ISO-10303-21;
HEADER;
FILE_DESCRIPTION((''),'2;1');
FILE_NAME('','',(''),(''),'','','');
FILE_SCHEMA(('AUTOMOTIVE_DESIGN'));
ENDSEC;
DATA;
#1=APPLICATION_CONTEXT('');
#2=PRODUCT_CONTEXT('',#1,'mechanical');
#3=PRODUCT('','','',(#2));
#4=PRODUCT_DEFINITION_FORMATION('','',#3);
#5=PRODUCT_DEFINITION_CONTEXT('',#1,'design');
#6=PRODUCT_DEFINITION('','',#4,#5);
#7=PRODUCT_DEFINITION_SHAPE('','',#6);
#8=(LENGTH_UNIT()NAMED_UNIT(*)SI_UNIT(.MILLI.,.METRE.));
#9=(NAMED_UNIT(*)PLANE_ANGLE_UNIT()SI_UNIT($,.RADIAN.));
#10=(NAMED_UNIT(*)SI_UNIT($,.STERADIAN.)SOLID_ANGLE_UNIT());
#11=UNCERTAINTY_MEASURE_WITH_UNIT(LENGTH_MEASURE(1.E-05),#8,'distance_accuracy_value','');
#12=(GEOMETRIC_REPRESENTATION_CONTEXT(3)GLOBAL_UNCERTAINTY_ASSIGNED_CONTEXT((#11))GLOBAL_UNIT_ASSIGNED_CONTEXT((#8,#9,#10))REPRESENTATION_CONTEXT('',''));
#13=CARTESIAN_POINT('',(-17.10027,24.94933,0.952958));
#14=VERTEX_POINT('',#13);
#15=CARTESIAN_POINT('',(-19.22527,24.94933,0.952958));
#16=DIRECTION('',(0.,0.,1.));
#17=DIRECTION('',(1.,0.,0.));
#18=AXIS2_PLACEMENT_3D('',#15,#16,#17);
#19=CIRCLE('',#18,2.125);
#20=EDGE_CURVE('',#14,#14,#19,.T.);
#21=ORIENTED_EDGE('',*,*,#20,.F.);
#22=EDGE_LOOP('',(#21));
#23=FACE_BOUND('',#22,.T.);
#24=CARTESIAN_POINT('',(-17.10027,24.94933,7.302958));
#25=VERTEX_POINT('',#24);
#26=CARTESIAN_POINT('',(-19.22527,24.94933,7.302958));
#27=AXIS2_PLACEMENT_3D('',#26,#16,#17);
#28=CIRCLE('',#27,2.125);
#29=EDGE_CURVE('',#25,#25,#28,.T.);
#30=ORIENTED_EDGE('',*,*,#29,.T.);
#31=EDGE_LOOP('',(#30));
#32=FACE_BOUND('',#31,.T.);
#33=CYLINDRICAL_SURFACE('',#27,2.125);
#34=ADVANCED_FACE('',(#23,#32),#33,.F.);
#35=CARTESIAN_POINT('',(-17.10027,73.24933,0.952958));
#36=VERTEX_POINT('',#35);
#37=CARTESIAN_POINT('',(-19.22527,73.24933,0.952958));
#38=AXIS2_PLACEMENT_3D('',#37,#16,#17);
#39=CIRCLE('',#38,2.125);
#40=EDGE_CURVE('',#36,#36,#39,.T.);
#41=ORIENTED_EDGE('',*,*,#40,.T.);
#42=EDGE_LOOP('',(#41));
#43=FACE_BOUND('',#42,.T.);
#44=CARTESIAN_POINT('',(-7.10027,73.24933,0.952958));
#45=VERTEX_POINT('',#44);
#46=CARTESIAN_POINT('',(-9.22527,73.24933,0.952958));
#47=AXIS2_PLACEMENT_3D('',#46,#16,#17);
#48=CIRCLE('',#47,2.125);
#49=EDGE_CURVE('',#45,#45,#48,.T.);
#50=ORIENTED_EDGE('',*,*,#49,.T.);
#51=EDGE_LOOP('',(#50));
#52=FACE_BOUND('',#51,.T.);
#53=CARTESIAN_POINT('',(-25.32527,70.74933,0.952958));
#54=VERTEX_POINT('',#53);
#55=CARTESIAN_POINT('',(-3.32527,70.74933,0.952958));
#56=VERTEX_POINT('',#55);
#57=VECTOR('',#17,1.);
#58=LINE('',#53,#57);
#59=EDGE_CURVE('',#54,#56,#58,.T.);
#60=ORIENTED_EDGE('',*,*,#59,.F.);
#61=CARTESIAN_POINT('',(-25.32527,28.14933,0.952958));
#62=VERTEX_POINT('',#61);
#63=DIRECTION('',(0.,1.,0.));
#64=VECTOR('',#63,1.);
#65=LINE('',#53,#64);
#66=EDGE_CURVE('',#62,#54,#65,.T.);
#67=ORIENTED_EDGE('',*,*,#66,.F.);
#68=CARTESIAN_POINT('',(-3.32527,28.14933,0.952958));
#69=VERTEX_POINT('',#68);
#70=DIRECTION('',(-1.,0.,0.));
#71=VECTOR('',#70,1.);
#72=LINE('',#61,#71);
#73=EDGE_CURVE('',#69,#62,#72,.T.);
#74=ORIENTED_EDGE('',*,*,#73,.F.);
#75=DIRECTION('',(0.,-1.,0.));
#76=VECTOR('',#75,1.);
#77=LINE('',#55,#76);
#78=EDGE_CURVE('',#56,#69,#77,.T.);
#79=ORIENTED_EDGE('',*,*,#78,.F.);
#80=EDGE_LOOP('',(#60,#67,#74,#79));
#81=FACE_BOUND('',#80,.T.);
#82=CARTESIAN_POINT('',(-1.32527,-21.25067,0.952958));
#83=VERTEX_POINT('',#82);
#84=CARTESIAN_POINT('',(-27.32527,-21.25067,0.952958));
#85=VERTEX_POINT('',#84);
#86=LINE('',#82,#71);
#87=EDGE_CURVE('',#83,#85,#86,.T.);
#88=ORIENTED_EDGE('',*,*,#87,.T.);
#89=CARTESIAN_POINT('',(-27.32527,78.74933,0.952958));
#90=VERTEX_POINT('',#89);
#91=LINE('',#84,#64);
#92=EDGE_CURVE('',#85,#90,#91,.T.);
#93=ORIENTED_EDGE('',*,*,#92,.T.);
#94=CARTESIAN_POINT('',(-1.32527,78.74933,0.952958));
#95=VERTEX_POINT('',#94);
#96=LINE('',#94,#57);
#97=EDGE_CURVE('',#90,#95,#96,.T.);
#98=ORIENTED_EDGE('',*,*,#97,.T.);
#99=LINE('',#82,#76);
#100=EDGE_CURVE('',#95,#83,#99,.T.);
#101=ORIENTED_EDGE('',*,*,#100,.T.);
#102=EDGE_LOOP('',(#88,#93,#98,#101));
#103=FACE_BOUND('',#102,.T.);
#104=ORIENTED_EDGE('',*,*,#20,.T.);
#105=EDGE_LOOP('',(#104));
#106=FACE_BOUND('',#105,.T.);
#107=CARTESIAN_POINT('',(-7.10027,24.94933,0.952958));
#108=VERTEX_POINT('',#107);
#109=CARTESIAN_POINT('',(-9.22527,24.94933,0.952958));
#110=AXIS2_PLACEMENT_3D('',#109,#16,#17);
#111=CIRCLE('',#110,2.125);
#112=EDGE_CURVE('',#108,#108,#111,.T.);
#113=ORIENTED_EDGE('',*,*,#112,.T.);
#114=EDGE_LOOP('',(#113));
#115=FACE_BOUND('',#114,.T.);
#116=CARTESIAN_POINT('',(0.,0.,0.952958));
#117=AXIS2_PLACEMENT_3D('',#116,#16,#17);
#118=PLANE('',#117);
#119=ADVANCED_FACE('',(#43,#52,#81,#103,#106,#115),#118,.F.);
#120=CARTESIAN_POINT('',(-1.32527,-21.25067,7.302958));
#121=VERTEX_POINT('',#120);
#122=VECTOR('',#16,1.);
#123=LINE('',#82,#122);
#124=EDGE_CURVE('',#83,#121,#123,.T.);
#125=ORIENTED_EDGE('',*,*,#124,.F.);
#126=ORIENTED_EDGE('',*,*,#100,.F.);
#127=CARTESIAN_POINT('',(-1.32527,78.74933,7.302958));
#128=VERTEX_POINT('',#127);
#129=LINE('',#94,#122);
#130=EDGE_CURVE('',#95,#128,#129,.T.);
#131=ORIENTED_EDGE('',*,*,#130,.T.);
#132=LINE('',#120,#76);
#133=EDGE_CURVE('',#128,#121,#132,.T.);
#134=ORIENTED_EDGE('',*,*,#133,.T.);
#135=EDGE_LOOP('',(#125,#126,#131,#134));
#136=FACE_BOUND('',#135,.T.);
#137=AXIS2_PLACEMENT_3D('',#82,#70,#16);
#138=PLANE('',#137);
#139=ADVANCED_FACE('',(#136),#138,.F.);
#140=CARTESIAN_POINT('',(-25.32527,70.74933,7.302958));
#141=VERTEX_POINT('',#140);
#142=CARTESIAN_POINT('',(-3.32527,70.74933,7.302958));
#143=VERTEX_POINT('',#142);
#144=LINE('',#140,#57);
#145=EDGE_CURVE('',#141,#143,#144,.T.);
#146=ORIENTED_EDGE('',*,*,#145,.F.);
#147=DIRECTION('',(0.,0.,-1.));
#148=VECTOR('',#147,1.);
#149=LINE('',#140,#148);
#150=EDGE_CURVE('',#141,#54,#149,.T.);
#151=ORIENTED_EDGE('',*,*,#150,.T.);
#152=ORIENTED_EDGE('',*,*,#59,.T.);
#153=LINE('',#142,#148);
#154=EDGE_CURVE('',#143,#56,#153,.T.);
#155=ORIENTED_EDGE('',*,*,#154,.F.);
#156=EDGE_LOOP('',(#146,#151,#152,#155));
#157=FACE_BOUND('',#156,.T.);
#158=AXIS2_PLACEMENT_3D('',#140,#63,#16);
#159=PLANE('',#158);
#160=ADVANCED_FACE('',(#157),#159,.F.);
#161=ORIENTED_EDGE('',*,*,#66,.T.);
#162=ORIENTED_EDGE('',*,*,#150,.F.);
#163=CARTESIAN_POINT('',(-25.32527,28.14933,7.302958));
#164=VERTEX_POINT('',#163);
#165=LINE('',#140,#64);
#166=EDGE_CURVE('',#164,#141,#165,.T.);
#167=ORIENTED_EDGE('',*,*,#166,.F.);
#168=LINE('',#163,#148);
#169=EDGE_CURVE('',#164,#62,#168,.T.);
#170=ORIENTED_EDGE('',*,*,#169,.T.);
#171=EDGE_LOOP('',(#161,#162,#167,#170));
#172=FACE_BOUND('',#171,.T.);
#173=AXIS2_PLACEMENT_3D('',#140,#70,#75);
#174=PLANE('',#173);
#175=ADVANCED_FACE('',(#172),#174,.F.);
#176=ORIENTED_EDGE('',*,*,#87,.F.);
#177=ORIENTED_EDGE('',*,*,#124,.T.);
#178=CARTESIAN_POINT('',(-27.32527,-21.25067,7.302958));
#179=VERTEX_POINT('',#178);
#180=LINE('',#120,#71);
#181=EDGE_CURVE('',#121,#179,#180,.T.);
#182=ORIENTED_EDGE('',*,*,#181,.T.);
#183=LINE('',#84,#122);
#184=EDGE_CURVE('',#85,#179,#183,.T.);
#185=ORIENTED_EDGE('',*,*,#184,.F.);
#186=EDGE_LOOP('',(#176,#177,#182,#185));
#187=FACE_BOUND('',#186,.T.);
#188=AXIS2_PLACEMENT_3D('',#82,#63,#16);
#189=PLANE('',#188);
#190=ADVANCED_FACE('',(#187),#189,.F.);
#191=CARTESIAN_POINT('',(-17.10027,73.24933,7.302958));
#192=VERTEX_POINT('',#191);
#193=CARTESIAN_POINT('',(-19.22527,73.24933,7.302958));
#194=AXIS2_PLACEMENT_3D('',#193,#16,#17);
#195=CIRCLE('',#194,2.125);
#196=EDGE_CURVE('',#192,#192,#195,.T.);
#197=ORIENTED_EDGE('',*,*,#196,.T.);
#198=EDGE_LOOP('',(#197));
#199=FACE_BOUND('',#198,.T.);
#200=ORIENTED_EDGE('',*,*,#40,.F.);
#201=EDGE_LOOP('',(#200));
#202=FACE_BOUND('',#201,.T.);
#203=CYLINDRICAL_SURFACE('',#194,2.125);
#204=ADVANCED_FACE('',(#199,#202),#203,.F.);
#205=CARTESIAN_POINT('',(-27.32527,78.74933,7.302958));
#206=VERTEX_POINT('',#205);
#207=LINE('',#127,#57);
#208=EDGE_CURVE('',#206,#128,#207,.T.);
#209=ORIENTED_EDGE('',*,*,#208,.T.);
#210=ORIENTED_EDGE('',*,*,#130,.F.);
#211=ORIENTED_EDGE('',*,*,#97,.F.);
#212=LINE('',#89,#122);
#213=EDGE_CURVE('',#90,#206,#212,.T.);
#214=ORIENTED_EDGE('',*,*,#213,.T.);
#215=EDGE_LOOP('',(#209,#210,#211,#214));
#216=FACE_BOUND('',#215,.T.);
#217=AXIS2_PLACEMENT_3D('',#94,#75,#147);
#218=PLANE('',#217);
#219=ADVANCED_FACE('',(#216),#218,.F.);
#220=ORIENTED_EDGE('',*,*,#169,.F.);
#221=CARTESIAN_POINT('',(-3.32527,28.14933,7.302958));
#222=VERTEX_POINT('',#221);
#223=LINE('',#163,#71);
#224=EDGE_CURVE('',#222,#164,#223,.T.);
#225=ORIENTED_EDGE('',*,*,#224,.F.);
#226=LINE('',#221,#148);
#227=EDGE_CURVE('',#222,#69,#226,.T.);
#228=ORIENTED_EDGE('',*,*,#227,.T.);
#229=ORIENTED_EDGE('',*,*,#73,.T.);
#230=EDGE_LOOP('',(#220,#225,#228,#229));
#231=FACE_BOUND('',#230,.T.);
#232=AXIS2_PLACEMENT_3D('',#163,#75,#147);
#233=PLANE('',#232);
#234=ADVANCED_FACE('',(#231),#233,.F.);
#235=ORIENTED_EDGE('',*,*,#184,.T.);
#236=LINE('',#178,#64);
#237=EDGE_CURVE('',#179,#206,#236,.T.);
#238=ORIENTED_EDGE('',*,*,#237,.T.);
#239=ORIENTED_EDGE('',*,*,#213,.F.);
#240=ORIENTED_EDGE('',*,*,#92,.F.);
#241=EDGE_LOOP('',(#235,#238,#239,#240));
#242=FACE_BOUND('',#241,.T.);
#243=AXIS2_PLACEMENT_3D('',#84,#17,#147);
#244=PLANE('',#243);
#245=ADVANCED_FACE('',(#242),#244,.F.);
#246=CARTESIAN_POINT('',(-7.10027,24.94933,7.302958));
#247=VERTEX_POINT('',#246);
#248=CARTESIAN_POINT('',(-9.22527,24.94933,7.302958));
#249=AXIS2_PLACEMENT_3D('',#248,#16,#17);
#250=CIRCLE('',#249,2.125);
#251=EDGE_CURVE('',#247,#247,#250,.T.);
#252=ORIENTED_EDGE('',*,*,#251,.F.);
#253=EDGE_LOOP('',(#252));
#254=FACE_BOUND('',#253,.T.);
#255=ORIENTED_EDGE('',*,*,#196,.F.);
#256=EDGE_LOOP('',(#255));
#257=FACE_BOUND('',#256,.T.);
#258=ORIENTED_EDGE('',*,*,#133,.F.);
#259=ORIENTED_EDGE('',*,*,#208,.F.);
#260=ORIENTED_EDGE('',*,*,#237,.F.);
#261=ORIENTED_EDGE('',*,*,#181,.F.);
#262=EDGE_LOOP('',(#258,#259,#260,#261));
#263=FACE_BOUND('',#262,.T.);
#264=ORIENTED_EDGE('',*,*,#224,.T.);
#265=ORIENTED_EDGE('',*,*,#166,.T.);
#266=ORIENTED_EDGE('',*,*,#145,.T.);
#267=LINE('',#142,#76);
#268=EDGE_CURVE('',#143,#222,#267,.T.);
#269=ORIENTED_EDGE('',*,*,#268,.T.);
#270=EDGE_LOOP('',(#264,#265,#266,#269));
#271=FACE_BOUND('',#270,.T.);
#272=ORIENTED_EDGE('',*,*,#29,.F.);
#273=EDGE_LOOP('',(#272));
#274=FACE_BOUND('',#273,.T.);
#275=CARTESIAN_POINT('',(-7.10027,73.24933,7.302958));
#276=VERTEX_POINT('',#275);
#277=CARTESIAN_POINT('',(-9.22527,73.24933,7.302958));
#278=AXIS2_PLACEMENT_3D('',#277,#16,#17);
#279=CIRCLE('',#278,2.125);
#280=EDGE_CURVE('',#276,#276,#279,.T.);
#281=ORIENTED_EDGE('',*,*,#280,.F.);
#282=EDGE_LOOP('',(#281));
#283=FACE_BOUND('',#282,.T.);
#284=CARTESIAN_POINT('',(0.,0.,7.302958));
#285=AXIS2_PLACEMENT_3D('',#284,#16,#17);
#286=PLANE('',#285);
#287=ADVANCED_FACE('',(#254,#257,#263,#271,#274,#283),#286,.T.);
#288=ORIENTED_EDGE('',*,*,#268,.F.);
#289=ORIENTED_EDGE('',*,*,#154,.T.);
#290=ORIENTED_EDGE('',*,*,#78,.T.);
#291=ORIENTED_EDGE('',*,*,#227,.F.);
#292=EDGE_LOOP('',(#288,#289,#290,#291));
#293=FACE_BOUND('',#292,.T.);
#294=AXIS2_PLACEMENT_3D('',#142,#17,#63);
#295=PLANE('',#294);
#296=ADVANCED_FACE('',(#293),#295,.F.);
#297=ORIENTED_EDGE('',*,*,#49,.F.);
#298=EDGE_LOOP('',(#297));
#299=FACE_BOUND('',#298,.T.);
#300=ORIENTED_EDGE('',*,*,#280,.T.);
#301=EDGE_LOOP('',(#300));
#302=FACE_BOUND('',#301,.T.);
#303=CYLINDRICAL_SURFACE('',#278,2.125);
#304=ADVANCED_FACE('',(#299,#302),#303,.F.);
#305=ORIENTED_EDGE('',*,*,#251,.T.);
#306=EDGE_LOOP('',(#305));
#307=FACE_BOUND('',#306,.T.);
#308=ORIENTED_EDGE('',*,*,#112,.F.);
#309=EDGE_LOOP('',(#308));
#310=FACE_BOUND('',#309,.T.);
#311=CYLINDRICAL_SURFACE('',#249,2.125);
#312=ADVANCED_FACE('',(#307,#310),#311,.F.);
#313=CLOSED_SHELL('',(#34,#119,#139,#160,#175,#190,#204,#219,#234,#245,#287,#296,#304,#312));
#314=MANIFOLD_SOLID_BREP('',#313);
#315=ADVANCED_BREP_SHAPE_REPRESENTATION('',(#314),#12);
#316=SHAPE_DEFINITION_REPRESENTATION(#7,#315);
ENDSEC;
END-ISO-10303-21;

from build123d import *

# Parameters (mm, degrees)
SKETCH1_W           = 26
SKETCH1_H           = 100
BOSS_EXTRUDE1_DEPTH = 6.35
SKETCH2_W           = 22
SKETCH2_H           = 42.6
CUT_EXTRUDE1_DEPTH  = 84.596948906
HOLE1_D             = 4.25


with BuildPart() as part:
    # Sketch1 → Boss-Extrude1 (new body)
    with BuildSketch(Plane(origin=(0, 0, 7.302957559), x_dir=(-1, 0, 0), z_dir=(0, 0, -1))):
        with Locations((14.325270249, 28.74932998)):
            Rectangle(SKETCH1_W, SKETCH1_H)
    extrude(amount=BOSS_EXTRUDE1_DEPTH)

    # Sketch2 → Cut-Extrude1 (cut, through all)
    with BuildSketch(Plane(origin=(0, 0, 0.952957559), x_dir=(-1, 0, 0), z_dir=(0, 0, -1))):
        with Locations((14.325270249, 49.44932998)):
            Rectangle(SKETCH2_W, SKETCH2_H)
    extrude(amount=-CUT_EXTRUDE1_DEPTH, mode=Mode.SUBTRACT)

    # Hole1 (through all)
    with Locations(Plane.XY.offset(7.302957559)):
        with Locations((-19.225270249, 73.24932998), (-9.225270249, 73.24932998), (-19.225270249, 24.94932998), (-9.225270249, 24.94932998)):
            Hole(HOLE1_D / 2)


solid = part.part
